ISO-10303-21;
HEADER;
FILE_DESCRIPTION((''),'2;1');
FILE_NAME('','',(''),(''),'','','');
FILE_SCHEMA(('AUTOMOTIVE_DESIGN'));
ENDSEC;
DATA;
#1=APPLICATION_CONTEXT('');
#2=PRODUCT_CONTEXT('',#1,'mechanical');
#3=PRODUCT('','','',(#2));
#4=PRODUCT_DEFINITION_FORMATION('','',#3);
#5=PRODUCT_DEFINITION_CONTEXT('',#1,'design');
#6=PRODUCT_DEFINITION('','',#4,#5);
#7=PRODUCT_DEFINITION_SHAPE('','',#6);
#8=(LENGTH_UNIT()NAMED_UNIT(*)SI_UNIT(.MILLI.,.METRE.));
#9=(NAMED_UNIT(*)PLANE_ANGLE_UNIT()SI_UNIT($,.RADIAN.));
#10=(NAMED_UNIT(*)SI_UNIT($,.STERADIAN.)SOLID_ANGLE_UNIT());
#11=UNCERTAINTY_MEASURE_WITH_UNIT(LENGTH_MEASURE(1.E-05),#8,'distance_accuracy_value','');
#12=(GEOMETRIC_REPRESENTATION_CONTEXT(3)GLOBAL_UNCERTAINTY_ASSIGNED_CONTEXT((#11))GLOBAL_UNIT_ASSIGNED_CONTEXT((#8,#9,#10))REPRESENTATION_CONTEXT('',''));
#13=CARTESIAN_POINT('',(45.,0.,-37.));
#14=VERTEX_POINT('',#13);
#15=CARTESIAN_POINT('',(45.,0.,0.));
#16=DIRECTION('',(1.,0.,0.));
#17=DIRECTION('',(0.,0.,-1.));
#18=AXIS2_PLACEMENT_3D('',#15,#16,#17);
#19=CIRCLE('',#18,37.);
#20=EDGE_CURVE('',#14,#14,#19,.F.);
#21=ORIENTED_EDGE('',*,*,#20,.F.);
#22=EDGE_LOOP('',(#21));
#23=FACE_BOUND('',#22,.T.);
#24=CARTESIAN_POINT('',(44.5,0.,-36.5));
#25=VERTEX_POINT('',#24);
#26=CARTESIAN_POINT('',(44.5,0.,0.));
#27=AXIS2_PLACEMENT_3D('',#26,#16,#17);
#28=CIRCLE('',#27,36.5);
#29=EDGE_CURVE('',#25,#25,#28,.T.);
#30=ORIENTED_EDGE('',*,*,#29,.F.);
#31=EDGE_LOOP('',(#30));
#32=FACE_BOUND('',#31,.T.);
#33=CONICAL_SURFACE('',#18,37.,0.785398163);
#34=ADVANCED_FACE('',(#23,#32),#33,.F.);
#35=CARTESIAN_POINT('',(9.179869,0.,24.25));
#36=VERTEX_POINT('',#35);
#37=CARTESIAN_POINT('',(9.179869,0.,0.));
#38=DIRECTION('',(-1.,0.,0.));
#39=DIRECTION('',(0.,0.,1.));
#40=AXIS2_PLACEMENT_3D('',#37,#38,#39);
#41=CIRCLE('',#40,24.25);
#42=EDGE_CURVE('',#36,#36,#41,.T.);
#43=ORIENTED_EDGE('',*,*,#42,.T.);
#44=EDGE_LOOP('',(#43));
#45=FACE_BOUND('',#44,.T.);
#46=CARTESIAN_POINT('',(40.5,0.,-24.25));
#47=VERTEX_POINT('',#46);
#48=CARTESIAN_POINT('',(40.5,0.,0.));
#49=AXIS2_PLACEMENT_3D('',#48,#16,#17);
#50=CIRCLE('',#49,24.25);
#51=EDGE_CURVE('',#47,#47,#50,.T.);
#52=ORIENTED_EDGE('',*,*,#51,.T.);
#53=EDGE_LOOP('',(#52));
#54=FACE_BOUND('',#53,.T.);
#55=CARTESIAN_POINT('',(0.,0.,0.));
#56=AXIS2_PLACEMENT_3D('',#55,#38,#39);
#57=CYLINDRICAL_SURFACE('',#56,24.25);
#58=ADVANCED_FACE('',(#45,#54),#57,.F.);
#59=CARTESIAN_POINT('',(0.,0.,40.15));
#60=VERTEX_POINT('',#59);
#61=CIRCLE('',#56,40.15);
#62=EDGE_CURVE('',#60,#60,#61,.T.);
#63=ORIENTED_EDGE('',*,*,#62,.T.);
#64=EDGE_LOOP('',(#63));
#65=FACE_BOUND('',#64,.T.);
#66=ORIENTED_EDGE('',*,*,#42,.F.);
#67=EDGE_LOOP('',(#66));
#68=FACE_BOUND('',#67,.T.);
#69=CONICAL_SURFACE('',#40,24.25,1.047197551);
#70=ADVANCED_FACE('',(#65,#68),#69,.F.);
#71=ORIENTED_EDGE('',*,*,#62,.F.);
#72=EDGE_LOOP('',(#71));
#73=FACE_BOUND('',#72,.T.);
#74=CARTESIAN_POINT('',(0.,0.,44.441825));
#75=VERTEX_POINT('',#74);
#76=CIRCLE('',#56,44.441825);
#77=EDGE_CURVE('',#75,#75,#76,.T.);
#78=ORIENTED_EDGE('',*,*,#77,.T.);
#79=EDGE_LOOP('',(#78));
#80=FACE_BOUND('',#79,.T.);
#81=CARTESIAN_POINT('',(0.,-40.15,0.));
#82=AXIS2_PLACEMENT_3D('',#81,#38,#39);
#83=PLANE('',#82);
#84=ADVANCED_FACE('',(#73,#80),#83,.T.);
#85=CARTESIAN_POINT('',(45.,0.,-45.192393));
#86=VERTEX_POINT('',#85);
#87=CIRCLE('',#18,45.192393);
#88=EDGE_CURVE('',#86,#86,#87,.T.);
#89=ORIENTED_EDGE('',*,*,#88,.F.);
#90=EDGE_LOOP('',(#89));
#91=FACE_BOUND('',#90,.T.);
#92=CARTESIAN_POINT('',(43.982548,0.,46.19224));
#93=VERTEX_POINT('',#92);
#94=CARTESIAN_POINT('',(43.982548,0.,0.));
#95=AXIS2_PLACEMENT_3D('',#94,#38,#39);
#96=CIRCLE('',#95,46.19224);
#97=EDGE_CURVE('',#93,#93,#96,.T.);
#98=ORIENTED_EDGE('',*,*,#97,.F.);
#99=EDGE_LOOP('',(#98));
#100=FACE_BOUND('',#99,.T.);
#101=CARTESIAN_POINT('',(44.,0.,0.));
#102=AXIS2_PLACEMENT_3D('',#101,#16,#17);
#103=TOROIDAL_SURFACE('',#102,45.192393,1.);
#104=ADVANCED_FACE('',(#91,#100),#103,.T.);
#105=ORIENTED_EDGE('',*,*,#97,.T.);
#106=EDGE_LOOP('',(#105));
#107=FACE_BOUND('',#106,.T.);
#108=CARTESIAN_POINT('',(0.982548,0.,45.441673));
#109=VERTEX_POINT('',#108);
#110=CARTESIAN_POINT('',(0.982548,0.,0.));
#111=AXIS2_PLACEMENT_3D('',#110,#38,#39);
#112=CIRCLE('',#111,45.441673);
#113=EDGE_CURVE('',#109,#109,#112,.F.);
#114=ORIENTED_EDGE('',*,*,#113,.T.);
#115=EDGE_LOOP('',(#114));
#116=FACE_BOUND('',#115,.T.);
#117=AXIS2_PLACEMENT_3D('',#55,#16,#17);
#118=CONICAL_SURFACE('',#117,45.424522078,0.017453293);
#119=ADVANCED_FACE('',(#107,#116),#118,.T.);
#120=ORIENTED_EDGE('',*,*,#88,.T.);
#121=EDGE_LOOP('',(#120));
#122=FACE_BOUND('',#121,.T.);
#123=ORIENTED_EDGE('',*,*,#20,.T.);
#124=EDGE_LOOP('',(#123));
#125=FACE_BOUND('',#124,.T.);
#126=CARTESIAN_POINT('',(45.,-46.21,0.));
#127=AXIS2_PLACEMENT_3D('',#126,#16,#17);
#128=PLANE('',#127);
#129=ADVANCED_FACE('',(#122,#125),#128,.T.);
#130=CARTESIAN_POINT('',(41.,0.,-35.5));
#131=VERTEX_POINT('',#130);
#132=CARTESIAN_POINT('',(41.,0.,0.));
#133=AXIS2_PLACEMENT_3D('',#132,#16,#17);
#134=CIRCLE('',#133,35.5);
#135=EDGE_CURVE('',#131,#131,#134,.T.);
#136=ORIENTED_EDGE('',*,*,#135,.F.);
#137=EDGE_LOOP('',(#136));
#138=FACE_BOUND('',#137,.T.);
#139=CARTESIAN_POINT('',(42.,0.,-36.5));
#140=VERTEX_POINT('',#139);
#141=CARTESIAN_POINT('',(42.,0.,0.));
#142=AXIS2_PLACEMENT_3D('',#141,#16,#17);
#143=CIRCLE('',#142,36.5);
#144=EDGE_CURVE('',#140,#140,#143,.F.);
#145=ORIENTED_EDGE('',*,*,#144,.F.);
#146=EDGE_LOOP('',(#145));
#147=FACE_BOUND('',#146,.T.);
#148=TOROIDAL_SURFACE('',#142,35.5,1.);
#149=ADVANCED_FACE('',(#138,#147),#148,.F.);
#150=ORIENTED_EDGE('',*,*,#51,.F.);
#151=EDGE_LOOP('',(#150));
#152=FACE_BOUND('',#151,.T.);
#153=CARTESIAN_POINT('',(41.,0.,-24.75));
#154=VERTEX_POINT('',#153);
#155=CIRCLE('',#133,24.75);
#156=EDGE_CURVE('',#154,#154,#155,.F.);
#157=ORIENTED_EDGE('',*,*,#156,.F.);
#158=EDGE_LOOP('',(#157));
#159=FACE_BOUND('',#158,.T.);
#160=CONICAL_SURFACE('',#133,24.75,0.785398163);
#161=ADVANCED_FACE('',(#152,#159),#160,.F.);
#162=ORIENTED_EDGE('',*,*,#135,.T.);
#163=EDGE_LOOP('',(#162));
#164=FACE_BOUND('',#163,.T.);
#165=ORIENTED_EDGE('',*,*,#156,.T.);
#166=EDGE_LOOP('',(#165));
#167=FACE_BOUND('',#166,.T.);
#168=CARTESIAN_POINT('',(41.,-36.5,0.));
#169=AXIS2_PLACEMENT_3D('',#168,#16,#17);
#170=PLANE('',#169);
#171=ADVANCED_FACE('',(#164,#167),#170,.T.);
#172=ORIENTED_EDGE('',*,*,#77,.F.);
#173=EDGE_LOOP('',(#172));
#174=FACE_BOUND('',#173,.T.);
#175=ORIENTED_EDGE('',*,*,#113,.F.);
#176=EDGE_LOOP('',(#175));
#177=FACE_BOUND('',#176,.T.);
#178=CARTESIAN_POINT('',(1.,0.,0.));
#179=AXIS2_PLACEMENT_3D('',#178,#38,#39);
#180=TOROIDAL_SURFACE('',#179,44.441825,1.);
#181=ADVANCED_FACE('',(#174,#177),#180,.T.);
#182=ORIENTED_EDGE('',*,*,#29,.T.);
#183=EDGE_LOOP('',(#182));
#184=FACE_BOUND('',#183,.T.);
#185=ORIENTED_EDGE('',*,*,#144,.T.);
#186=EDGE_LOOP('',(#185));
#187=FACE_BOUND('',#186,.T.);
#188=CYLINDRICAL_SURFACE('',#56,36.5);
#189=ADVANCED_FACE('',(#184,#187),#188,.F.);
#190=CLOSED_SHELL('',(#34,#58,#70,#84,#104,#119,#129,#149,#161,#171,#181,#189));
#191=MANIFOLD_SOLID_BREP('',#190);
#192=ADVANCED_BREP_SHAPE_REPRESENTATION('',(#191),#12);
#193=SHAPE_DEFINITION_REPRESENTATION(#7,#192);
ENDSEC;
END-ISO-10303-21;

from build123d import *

# Parameters (mm, degrees)
VERRUNDUNG1_R = 1
FASE1_SIZE    = 0.5
VERRUNDUNG2_R = 1


with BuildPart() as part:
    # Skizze1 → Rotation1 (revolve)
    with BuildSketch(Plane.XY, mode=Mode.PRIVATE) as rotation1_sk:
        Polygon((0, -40.15), (0, -45.424522078), (45, -46.21), (45, -36.5), (41, -36.5), (41, -24.25), (9.17986928, -24.25), align=None)
    revolve(rotation1_sk.sketch.rotate(Axis((0, 0, 0), (1, 0, 0)), 270), axis=Axis((0, 0, 0), (1, 0, 0)))  # turned: the seam where the file's is

    # Verrundung1
    verrundung1_edges = [part.edges().sort_by_distance(p)[0] for p in [
        (45, 0, -46.21),
        (0, 0, -45.424522078),
    ]]
    fillet(verrundung1_edges, radius=VERRUNDUNG1_R)

    # Fase1
    fase1_edges = [part.edges().sort_by_distance(p)[0] for p in [
        (41, 0, -24.25),
        (45, 0, -36.5),
    ]]
    chamfer(fase1_edges, length=FASE1_SIZE)

    # Verrundung2
    verrundung2_edges = [part.edges().sort_by_distance(p)[0] for p in [
        (41, 0, -36.5),
    ]]
    fillet(verrundung2_edges, radius=VERRUNDUNG2_R)


solid = part.part
